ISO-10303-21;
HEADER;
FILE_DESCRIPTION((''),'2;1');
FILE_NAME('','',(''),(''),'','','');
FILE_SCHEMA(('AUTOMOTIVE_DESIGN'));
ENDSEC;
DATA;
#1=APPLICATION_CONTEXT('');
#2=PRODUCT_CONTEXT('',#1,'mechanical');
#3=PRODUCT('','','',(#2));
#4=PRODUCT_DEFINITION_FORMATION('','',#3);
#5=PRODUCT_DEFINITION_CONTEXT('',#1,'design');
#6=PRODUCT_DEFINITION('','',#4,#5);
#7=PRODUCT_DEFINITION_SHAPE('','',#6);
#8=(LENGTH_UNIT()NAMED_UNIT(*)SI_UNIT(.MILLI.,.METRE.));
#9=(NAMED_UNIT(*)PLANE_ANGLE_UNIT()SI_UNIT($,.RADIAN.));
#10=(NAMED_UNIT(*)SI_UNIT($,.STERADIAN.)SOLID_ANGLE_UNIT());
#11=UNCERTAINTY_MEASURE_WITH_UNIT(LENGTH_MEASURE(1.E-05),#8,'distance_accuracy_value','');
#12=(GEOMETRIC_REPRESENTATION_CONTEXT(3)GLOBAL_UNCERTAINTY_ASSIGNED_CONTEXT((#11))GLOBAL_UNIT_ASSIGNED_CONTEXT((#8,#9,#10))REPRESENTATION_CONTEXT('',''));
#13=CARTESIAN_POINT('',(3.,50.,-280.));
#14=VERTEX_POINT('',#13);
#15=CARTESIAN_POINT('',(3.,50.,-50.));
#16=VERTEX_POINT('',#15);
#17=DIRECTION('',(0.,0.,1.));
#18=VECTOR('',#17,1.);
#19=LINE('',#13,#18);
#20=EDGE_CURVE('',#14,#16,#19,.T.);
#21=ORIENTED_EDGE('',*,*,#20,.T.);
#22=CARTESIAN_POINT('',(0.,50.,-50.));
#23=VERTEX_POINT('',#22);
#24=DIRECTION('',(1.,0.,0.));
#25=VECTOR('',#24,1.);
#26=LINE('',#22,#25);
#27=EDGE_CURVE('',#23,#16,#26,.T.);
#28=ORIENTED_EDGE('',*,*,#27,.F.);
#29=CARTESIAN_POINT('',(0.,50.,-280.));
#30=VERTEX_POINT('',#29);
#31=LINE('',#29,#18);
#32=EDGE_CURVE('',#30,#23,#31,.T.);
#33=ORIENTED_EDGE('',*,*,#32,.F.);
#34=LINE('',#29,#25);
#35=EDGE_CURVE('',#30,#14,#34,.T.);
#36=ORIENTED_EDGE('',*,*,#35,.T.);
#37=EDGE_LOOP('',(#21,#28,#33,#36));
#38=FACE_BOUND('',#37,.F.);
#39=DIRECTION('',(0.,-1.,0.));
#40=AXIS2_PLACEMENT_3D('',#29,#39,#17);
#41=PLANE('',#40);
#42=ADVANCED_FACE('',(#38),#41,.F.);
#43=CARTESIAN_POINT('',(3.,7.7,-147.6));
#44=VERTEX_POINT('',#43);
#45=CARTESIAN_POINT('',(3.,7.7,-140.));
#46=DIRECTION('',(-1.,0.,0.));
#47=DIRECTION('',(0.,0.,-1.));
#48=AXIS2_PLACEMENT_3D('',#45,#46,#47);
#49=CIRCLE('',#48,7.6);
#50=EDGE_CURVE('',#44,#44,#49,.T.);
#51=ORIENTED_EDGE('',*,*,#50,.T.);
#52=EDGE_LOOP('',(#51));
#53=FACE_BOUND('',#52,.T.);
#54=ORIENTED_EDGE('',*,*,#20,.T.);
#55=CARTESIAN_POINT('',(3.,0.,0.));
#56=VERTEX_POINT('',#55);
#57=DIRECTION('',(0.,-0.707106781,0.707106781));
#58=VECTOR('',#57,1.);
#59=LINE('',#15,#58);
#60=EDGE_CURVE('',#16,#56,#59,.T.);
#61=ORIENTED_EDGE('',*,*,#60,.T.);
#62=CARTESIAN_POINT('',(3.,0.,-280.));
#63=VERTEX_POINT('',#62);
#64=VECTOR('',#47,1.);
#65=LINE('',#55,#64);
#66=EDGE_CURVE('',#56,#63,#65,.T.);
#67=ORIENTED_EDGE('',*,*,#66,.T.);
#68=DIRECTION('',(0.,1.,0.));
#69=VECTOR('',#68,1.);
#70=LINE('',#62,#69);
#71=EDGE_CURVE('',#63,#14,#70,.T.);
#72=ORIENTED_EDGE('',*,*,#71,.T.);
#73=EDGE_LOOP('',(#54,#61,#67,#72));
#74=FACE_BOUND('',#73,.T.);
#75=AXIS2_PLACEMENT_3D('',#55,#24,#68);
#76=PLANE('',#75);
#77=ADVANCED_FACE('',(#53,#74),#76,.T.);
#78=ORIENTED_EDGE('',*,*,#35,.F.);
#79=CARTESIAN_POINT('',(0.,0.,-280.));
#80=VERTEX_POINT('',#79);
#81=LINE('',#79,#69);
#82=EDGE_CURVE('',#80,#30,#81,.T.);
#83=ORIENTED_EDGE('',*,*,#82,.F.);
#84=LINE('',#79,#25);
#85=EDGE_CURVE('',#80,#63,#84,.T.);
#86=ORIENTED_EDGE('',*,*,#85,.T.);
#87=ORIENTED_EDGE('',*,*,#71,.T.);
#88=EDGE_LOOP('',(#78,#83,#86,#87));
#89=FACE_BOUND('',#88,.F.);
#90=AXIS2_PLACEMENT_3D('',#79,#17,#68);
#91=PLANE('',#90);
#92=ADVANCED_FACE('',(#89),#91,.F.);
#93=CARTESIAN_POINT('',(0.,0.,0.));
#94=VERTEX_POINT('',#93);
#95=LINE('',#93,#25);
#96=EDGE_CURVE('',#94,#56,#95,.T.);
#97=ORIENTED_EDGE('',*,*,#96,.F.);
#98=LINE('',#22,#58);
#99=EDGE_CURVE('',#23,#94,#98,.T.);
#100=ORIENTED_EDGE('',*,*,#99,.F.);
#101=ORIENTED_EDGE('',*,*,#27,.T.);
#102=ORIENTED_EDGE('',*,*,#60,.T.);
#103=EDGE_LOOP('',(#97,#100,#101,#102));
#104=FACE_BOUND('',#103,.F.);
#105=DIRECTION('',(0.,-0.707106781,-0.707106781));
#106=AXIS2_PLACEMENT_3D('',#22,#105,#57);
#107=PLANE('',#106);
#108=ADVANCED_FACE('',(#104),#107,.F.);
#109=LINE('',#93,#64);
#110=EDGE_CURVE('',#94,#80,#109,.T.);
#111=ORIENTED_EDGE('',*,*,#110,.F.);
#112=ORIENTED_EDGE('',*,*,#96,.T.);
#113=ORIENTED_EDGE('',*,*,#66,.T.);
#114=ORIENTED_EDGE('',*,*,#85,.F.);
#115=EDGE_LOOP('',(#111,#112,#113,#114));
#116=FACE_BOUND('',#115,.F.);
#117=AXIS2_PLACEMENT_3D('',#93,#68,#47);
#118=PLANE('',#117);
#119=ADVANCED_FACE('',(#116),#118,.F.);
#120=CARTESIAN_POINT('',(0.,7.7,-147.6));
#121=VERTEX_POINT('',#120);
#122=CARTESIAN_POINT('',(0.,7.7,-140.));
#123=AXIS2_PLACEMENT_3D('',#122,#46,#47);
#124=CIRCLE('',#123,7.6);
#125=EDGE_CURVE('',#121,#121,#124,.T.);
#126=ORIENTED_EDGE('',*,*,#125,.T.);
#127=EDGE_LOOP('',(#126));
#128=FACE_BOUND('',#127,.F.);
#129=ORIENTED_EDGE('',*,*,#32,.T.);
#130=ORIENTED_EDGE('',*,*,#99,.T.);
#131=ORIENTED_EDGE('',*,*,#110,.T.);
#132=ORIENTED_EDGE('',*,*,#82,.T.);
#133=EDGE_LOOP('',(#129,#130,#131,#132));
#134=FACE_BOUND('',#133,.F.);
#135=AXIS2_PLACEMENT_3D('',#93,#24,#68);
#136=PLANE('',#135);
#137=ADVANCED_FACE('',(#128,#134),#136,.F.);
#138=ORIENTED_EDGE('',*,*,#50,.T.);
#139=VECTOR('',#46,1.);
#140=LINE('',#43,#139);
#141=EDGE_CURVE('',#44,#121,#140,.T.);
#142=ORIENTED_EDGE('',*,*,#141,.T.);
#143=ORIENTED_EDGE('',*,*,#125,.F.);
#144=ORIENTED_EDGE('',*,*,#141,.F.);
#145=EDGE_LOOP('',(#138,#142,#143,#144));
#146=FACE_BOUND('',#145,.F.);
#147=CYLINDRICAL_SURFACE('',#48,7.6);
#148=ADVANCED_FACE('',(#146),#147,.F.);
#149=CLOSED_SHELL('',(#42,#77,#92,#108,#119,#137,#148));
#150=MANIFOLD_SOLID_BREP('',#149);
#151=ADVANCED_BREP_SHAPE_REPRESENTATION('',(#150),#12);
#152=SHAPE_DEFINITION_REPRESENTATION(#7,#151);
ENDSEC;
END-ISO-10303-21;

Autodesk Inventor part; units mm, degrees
ref_plane "YZ Plane" through (0, 0, 0) normal (1, 0, 0) x (0, 1, 0)
ref_plane "XZ Plane" through (0, 0, 0) normal (0, 1, 0) x (-1, 0, 0)
ref_plane "XY Plane" through (0, 0, 0) normal (0, 0, 1) x (1, 0, 0)
sketch "Sketch1" plane through (0, 0, 0) normal (1, 0, 0) x (0, 1, 0)
  line L0 (0, 0) -> (0, -280)
  line L1 (0, -280) -> (50, -280)
  line L2 (50, -280) -> (50, -50)
  line L3 (0, 0) -> (0, 0)
  line L4 (50, -50) -> (0, 0)
  dimension "d0" = 280
  dimension "d1" = 50
  dimension "d2" = 90
extrude "Extrusion1" add sketch "Sketch1" along normal blind 3
sketch "Sketch2" plane through (3, 0, 0) normal (1, 0, 0) x (0, 0, -1)
  line L0 (280, 0) -> (280, 50) projected
  line L1 (280, 50) -> (50, 50) projected
  line L2 (280, 50) -> (140, 50)
  line L3 (140, 50) -> (140, 7.7)
  point P0 (0, 0)
  dimension "d6" = 140
  dimension "d7" = 42.3
hole "Hole1" at (3, 7.7, -140) direction (-1, 0, 0) diameter 15.2 end through all
sketch "Sketch3" plane through (3, 0, 0) normal (1, 0, 0) x (0, 0, -1)
  point P0 (0, 0)
